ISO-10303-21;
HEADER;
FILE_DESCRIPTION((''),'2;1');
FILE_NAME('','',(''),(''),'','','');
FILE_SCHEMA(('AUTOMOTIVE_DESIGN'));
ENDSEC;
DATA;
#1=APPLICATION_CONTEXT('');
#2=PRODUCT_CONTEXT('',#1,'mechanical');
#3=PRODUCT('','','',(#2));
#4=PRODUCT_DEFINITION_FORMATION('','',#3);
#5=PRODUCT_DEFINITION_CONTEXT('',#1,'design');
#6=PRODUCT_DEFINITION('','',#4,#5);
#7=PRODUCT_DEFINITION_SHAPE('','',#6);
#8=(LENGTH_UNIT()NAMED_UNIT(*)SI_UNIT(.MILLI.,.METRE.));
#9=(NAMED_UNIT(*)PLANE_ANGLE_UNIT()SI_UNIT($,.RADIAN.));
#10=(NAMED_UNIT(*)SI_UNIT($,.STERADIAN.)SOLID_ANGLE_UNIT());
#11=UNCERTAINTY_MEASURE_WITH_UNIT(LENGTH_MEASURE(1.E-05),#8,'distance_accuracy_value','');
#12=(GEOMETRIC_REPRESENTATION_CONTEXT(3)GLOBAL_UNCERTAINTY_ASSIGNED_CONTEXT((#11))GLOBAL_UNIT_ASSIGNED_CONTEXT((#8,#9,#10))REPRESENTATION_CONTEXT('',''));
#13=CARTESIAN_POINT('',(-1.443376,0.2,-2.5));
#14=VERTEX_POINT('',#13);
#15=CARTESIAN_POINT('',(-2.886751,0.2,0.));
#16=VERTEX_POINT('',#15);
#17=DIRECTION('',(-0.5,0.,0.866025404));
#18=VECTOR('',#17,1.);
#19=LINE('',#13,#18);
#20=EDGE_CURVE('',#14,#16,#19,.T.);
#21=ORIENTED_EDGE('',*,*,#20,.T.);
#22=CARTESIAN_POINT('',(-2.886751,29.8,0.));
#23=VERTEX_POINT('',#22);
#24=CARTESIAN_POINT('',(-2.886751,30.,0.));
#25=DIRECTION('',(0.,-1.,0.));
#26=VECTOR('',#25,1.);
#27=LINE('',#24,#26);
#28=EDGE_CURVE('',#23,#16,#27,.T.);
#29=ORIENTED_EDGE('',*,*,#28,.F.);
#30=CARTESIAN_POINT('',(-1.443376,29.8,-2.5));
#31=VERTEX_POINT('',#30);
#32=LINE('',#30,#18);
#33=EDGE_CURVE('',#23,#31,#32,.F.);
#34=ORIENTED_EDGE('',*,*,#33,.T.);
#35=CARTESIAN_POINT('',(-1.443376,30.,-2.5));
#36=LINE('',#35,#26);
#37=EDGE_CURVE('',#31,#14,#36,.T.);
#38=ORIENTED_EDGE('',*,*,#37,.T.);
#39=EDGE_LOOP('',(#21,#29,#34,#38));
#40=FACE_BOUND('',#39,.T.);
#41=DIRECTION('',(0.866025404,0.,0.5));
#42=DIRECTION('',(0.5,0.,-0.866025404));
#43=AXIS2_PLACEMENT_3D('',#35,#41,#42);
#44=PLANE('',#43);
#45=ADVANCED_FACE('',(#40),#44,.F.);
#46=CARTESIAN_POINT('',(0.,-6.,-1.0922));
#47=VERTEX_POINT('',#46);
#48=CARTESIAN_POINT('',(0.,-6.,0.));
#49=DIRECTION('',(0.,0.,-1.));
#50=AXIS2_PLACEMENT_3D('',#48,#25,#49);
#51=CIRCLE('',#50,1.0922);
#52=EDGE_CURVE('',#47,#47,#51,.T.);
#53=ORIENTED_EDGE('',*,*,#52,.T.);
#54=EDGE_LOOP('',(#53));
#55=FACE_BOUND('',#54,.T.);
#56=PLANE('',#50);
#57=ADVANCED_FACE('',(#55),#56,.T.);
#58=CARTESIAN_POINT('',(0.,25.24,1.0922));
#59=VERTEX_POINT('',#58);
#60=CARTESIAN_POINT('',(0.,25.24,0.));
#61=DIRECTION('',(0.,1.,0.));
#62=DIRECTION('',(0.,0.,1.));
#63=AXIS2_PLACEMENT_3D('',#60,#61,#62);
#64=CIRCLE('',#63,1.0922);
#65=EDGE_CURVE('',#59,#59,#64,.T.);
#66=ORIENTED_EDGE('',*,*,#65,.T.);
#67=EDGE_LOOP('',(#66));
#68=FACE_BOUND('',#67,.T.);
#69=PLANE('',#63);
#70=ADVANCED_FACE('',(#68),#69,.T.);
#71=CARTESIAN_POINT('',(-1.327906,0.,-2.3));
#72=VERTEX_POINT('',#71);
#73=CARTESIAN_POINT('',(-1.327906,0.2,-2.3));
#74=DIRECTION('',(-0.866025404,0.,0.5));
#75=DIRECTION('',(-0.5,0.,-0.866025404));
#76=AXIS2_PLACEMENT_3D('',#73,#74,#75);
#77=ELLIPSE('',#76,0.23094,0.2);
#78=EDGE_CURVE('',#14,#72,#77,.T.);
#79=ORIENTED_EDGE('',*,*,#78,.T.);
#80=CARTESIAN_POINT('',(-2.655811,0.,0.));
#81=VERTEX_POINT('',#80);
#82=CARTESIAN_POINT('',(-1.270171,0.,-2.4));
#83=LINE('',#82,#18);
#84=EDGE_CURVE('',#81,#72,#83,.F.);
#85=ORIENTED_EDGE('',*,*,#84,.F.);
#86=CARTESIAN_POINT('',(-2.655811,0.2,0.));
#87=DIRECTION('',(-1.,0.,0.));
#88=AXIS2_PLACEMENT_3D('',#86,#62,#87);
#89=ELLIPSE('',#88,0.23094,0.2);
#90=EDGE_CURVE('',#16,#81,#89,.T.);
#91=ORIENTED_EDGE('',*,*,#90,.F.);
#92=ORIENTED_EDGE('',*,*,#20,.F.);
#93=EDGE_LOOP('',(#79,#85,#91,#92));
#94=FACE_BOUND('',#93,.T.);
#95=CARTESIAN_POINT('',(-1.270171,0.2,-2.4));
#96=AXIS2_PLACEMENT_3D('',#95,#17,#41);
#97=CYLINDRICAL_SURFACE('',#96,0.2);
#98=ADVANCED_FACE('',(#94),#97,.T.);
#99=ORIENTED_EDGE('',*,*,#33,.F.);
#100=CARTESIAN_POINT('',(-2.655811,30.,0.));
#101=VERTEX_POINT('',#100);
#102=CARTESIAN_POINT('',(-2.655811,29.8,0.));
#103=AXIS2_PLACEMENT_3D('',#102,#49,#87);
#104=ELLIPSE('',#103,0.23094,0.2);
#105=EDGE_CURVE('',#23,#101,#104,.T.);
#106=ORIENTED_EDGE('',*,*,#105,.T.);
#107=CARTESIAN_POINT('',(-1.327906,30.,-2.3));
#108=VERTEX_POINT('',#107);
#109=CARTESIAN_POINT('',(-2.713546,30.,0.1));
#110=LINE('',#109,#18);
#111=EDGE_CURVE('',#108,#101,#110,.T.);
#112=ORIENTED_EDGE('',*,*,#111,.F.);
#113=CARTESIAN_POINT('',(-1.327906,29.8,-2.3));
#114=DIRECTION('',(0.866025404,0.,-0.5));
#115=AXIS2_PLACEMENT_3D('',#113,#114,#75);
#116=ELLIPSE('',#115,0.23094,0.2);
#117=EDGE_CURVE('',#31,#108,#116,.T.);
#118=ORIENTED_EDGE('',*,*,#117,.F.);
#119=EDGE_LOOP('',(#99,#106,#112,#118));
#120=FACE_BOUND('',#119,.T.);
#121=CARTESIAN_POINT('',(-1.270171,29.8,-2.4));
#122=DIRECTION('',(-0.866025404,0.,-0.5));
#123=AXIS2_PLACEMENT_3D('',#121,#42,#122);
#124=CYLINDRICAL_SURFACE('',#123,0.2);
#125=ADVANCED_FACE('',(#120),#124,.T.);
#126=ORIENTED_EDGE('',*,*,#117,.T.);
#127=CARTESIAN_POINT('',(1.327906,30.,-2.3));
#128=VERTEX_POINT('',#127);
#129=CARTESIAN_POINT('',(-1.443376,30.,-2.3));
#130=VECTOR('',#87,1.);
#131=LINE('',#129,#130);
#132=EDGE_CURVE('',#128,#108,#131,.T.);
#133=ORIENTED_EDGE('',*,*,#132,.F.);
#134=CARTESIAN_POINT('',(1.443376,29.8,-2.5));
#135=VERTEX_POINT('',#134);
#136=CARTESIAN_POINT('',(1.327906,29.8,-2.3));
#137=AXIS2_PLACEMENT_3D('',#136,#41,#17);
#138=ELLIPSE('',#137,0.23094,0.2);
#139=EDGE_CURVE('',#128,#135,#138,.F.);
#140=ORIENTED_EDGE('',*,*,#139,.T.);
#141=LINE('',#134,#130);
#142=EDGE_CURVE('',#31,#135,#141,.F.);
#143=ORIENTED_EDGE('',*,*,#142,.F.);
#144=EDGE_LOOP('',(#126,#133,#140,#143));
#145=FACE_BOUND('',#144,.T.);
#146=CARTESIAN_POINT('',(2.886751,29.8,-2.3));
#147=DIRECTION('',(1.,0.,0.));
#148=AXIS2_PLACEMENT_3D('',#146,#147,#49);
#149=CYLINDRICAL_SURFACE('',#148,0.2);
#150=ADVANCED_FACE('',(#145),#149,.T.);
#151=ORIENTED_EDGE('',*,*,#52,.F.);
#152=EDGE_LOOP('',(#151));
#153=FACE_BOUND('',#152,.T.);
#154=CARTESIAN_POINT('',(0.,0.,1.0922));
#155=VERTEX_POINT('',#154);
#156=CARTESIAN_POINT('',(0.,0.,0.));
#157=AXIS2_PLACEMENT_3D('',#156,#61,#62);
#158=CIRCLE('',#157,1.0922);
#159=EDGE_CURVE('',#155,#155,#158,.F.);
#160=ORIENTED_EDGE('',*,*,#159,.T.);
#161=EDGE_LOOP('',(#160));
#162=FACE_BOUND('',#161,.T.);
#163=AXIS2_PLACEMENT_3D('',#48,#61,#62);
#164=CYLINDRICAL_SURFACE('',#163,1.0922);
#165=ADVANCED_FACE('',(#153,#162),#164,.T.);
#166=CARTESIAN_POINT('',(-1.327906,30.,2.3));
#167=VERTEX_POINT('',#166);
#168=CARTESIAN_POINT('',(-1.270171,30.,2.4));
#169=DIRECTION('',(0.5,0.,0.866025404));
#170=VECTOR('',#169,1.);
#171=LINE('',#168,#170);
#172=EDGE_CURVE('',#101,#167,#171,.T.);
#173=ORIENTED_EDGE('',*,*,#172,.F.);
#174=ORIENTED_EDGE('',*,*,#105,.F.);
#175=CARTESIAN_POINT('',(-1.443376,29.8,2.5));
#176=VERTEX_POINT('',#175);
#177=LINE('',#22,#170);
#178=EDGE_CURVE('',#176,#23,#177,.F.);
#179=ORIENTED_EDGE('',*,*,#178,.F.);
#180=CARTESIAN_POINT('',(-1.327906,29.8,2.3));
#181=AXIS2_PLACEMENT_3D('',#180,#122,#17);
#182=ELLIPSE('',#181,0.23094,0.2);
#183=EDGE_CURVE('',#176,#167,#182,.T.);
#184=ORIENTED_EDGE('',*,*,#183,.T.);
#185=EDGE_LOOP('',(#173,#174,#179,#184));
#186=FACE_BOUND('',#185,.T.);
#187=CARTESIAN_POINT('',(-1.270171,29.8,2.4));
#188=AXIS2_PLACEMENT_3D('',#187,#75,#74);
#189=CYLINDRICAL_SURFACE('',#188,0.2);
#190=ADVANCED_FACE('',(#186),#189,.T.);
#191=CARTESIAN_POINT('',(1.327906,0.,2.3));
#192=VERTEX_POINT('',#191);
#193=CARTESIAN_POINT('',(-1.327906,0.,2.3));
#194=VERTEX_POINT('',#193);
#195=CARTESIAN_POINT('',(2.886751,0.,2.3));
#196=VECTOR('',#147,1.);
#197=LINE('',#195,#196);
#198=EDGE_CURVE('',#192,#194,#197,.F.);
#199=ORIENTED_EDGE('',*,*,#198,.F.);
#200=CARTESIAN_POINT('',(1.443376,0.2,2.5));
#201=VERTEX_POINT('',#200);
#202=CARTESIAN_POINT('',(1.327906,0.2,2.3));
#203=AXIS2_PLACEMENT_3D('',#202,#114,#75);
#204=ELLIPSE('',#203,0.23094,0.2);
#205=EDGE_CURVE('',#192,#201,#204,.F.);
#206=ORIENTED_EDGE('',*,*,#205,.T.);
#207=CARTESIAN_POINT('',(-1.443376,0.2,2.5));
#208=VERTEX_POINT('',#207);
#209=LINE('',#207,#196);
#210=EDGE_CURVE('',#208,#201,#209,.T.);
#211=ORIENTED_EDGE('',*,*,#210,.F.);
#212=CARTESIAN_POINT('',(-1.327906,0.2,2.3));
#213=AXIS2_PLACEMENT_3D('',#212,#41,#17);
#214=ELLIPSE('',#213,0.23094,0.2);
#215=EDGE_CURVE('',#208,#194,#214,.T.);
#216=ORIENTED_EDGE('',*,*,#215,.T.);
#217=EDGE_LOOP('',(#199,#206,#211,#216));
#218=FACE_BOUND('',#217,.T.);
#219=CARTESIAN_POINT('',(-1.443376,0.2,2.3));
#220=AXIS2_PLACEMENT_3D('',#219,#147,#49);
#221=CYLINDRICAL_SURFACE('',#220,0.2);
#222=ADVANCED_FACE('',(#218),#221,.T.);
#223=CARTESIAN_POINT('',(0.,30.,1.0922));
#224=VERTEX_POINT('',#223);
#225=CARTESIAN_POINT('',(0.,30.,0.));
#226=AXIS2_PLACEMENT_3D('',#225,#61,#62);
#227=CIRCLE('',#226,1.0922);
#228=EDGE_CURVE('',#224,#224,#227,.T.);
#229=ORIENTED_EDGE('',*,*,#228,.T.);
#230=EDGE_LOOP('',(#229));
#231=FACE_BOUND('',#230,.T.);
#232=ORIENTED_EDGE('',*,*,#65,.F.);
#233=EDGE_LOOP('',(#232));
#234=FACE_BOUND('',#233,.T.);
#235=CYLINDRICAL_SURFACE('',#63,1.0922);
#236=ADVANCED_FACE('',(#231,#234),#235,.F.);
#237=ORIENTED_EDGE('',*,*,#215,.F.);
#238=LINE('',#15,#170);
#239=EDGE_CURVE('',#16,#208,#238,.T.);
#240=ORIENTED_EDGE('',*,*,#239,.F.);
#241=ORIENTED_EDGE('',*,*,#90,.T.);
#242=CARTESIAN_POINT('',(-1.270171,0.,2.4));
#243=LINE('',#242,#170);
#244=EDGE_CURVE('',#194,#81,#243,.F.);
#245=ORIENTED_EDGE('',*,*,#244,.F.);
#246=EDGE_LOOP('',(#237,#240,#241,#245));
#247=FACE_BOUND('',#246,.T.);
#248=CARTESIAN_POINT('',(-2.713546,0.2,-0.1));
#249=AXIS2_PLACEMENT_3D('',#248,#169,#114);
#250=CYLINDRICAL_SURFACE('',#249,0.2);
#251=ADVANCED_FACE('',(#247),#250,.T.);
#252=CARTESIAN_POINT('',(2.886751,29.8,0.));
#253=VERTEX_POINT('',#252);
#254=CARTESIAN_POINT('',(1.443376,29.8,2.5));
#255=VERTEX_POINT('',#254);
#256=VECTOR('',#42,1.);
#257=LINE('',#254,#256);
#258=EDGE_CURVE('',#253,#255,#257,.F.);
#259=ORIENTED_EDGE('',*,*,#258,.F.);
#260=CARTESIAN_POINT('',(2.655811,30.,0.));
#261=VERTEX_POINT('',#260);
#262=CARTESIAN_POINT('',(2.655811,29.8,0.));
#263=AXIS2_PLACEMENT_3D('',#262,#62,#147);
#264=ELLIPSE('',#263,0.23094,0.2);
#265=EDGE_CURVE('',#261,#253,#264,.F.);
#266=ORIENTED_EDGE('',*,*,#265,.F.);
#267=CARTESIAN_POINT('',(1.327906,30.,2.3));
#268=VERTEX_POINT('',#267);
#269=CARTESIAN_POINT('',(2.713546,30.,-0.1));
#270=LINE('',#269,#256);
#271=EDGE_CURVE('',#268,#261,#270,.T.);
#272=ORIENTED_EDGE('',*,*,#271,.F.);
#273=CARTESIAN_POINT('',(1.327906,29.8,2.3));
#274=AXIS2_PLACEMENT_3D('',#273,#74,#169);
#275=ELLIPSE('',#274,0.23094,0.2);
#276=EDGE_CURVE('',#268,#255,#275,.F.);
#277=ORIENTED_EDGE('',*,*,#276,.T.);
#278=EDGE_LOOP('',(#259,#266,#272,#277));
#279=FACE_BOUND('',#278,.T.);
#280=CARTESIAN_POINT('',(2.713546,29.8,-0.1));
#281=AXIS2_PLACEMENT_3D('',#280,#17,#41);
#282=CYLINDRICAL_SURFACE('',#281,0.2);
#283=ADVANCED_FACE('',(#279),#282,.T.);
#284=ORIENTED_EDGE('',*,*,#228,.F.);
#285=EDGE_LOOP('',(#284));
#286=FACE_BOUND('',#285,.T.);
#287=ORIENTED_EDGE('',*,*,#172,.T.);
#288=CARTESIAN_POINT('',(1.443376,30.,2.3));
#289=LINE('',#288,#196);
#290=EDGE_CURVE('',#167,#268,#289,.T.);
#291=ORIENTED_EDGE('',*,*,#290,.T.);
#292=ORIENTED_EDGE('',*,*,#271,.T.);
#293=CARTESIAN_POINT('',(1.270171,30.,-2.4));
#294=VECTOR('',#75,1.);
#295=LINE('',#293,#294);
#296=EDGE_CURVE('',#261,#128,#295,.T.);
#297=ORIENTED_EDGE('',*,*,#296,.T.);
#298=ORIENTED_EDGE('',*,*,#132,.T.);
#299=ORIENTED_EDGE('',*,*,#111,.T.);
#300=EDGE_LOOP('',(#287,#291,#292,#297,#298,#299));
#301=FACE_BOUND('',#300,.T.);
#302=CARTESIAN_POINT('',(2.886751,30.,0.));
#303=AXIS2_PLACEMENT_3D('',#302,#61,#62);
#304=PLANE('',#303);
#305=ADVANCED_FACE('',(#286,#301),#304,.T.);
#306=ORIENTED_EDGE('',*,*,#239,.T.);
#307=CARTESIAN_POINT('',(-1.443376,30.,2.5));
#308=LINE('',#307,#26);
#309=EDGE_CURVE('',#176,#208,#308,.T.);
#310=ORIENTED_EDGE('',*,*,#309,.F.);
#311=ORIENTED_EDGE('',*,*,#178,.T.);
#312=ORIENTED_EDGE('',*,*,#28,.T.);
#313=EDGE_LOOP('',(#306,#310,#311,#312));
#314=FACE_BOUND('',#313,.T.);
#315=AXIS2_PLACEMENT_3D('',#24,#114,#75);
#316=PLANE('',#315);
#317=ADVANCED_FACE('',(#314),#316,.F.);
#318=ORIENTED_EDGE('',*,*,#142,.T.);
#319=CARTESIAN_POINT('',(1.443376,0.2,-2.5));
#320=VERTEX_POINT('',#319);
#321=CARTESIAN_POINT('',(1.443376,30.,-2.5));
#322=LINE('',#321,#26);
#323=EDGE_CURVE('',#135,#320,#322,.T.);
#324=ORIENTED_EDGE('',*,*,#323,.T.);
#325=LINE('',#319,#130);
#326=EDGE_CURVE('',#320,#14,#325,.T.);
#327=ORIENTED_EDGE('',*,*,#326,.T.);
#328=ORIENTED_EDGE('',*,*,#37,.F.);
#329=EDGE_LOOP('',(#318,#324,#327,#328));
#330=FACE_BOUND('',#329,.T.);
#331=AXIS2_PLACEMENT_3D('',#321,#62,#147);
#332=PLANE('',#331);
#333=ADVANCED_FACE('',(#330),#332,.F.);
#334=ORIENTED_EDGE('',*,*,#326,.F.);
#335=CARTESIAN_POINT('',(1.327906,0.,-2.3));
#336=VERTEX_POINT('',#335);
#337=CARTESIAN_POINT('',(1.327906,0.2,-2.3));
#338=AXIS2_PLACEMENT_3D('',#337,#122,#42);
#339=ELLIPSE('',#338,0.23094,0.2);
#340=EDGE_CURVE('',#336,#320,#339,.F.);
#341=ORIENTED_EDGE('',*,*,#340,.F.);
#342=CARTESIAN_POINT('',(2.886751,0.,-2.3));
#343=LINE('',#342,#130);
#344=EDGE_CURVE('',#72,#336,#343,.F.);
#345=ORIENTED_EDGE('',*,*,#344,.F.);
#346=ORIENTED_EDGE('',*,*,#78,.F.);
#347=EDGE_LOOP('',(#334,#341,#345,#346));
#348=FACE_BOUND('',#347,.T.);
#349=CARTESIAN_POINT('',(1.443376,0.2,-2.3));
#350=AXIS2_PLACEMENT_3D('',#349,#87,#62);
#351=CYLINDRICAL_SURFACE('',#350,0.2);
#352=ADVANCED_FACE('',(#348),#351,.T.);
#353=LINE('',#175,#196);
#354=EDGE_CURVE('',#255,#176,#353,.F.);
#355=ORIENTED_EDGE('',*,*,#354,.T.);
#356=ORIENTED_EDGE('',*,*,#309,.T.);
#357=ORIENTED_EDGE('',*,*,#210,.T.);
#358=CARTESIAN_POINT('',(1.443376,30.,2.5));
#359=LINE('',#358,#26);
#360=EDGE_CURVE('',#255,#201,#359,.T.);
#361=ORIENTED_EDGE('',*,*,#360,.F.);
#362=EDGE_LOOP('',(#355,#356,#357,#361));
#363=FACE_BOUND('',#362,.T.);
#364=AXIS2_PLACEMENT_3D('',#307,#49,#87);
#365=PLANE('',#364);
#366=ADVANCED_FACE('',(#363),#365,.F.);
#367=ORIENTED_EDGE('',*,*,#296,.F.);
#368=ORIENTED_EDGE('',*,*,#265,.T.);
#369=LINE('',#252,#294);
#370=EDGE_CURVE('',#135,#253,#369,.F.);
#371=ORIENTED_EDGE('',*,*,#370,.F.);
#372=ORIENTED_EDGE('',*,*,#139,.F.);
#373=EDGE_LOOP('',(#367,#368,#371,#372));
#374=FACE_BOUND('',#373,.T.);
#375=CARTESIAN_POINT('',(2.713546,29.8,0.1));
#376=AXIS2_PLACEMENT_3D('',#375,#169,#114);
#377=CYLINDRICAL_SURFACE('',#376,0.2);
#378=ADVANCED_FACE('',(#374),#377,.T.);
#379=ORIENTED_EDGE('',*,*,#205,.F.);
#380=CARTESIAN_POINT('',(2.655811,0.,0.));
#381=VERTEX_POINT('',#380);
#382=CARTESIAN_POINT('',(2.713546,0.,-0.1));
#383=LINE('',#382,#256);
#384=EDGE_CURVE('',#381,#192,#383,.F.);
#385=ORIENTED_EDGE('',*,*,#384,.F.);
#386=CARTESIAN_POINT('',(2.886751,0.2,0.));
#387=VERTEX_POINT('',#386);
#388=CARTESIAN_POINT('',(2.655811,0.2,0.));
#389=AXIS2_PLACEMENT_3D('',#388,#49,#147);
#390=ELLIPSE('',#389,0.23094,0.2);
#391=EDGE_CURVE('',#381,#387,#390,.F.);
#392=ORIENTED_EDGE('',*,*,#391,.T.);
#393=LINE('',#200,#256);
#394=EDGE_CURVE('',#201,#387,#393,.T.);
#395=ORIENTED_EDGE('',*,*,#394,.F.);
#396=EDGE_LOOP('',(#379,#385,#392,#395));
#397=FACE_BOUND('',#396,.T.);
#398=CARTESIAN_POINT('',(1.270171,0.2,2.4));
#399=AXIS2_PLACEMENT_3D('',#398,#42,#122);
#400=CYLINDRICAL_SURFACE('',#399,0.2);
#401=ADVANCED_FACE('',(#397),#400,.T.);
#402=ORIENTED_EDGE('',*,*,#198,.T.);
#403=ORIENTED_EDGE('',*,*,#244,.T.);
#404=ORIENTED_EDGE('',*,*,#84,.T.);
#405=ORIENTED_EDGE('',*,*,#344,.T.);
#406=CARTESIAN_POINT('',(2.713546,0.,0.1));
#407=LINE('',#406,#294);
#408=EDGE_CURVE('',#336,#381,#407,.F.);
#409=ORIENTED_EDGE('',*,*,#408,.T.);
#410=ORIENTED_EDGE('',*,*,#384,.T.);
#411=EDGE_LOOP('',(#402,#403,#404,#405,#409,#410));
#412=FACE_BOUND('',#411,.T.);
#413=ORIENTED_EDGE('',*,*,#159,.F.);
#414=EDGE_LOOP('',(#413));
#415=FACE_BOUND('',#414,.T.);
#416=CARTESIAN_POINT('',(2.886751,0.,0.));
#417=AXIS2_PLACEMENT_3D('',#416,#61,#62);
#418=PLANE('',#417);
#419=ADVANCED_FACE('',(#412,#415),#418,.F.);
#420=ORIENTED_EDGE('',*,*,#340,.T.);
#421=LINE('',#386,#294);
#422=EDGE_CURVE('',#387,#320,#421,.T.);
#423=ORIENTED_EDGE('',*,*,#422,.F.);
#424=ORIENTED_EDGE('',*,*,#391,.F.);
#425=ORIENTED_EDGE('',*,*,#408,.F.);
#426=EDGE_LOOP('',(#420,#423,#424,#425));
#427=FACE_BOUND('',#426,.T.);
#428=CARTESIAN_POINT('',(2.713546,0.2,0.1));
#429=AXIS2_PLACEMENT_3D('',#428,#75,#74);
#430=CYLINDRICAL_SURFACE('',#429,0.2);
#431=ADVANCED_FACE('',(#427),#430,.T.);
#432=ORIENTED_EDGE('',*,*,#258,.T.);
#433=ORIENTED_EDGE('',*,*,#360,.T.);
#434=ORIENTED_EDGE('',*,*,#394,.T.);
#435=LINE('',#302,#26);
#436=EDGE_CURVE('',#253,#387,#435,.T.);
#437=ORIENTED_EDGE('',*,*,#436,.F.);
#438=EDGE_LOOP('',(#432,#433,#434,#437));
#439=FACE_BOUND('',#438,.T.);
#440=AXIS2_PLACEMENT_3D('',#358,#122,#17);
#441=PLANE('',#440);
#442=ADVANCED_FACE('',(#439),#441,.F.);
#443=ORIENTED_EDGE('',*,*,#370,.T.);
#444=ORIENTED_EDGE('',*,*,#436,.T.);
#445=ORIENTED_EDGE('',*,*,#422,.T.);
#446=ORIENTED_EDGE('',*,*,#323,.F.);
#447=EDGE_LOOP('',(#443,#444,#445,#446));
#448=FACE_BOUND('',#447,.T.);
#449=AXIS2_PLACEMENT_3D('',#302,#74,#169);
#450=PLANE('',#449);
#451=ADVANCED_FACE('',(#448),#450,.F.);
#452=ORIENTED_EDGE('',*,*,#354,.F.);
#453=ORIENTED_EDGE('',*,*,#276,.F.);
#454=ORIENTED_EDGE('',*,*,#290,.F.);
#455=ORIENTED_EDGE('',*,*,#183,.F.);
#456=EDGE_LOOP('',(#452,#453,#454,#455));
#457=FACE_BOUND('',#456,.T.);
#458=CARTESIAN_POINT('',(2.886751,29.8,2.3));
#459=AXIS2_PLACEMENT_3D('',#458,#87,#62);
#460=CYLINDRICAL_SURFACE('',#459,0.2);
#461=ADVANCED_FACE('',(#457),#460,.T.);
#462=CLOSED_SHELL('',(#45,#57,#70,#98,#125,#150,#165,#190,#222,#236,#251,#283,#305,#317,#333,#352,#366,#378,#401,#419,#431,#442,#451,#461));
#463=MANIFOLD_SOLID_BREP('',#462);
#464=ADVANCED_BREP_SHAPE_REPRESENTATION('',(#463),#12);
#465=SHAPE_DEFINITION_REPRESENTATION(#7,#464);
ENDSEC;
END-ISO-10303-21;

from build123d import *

# Parameters (mm, degrees)
RESSALTO_EXTRUS_O1_DEPTH = 30
FILETE1_R                = 0.2
ESBO_O2_R                = 1.0922
RESSALTO_EXTRUS_O2_DEPTH = 6
ESBO_O3_R                = 1.0922
CORTE_EXTRUS_O1_DEPTH    = 4.76


with BuildPart() as part:
    # Esboço1 → Ressalto-extrusão1 (new body)
    with BuildSketch(Plane(origin=(0, 0, 0), x_dir=(1, 0, 0), z_dir=(0, 1, 0))):
        Polygon((2.886751346, 0), (1.443375673, 2.5), (-1.443375673, 2.5), (-2.886751346, 0), (-1.443375673, -2.5), (1.443375673, -2.5), align=None)
    extrude(amount=RESSALTO_EXTRUS_O1_DEPTH)

    # Filete1
    filete1_edges = [part.edges().sort_by_distance(p)[0] for p in [
        (0, 30, -2.5),
        (-2.165063509, 30, -1.25),
        (-2.165063509, 30, 1.25),
        (0, 30, 2.5),
        (2.165063509, 30, 1.25),
        (0, 0, 2.5),
        (-2.165063509, 0, 1.25),
        (-2.165063509, 0, -1.25),
        (2.165063509, 30, -1.25),
        (0, 0, -2.5),
        (2.165063509, 0, -1.25),
        (2.165063509, 0, 1.25),
    ]]
    fillet(filete1_edges, radius=FILETE1_R)

    # Esboço2 → Ressalto-extrusão2 (add)
    with BuildSketch(Plane.XZ):
        with Locations(Location((0, 0, 0), (0, 0, 90))):
            Circle(ESBO_O2_R)
    extrude(amount=RESSALTO_EXTRUS_O2_DEPTH)

    # Esboço3 → Corte-extrusão1 (cut)
    with BuildSketch(Plane(origin=(0, 30, 0), x_dir=(1, 0, 0), z_dir=(0, 1, 0))):
        with Locations(Location((0, 0, 0), (0, 0, 270))):
            Circle(ESBO_O3_R)
    extrude(amount=-CORTE_EXTRUS_O1_DEPTH, mode=Mode.SUBTRACT)


solid = part.part
